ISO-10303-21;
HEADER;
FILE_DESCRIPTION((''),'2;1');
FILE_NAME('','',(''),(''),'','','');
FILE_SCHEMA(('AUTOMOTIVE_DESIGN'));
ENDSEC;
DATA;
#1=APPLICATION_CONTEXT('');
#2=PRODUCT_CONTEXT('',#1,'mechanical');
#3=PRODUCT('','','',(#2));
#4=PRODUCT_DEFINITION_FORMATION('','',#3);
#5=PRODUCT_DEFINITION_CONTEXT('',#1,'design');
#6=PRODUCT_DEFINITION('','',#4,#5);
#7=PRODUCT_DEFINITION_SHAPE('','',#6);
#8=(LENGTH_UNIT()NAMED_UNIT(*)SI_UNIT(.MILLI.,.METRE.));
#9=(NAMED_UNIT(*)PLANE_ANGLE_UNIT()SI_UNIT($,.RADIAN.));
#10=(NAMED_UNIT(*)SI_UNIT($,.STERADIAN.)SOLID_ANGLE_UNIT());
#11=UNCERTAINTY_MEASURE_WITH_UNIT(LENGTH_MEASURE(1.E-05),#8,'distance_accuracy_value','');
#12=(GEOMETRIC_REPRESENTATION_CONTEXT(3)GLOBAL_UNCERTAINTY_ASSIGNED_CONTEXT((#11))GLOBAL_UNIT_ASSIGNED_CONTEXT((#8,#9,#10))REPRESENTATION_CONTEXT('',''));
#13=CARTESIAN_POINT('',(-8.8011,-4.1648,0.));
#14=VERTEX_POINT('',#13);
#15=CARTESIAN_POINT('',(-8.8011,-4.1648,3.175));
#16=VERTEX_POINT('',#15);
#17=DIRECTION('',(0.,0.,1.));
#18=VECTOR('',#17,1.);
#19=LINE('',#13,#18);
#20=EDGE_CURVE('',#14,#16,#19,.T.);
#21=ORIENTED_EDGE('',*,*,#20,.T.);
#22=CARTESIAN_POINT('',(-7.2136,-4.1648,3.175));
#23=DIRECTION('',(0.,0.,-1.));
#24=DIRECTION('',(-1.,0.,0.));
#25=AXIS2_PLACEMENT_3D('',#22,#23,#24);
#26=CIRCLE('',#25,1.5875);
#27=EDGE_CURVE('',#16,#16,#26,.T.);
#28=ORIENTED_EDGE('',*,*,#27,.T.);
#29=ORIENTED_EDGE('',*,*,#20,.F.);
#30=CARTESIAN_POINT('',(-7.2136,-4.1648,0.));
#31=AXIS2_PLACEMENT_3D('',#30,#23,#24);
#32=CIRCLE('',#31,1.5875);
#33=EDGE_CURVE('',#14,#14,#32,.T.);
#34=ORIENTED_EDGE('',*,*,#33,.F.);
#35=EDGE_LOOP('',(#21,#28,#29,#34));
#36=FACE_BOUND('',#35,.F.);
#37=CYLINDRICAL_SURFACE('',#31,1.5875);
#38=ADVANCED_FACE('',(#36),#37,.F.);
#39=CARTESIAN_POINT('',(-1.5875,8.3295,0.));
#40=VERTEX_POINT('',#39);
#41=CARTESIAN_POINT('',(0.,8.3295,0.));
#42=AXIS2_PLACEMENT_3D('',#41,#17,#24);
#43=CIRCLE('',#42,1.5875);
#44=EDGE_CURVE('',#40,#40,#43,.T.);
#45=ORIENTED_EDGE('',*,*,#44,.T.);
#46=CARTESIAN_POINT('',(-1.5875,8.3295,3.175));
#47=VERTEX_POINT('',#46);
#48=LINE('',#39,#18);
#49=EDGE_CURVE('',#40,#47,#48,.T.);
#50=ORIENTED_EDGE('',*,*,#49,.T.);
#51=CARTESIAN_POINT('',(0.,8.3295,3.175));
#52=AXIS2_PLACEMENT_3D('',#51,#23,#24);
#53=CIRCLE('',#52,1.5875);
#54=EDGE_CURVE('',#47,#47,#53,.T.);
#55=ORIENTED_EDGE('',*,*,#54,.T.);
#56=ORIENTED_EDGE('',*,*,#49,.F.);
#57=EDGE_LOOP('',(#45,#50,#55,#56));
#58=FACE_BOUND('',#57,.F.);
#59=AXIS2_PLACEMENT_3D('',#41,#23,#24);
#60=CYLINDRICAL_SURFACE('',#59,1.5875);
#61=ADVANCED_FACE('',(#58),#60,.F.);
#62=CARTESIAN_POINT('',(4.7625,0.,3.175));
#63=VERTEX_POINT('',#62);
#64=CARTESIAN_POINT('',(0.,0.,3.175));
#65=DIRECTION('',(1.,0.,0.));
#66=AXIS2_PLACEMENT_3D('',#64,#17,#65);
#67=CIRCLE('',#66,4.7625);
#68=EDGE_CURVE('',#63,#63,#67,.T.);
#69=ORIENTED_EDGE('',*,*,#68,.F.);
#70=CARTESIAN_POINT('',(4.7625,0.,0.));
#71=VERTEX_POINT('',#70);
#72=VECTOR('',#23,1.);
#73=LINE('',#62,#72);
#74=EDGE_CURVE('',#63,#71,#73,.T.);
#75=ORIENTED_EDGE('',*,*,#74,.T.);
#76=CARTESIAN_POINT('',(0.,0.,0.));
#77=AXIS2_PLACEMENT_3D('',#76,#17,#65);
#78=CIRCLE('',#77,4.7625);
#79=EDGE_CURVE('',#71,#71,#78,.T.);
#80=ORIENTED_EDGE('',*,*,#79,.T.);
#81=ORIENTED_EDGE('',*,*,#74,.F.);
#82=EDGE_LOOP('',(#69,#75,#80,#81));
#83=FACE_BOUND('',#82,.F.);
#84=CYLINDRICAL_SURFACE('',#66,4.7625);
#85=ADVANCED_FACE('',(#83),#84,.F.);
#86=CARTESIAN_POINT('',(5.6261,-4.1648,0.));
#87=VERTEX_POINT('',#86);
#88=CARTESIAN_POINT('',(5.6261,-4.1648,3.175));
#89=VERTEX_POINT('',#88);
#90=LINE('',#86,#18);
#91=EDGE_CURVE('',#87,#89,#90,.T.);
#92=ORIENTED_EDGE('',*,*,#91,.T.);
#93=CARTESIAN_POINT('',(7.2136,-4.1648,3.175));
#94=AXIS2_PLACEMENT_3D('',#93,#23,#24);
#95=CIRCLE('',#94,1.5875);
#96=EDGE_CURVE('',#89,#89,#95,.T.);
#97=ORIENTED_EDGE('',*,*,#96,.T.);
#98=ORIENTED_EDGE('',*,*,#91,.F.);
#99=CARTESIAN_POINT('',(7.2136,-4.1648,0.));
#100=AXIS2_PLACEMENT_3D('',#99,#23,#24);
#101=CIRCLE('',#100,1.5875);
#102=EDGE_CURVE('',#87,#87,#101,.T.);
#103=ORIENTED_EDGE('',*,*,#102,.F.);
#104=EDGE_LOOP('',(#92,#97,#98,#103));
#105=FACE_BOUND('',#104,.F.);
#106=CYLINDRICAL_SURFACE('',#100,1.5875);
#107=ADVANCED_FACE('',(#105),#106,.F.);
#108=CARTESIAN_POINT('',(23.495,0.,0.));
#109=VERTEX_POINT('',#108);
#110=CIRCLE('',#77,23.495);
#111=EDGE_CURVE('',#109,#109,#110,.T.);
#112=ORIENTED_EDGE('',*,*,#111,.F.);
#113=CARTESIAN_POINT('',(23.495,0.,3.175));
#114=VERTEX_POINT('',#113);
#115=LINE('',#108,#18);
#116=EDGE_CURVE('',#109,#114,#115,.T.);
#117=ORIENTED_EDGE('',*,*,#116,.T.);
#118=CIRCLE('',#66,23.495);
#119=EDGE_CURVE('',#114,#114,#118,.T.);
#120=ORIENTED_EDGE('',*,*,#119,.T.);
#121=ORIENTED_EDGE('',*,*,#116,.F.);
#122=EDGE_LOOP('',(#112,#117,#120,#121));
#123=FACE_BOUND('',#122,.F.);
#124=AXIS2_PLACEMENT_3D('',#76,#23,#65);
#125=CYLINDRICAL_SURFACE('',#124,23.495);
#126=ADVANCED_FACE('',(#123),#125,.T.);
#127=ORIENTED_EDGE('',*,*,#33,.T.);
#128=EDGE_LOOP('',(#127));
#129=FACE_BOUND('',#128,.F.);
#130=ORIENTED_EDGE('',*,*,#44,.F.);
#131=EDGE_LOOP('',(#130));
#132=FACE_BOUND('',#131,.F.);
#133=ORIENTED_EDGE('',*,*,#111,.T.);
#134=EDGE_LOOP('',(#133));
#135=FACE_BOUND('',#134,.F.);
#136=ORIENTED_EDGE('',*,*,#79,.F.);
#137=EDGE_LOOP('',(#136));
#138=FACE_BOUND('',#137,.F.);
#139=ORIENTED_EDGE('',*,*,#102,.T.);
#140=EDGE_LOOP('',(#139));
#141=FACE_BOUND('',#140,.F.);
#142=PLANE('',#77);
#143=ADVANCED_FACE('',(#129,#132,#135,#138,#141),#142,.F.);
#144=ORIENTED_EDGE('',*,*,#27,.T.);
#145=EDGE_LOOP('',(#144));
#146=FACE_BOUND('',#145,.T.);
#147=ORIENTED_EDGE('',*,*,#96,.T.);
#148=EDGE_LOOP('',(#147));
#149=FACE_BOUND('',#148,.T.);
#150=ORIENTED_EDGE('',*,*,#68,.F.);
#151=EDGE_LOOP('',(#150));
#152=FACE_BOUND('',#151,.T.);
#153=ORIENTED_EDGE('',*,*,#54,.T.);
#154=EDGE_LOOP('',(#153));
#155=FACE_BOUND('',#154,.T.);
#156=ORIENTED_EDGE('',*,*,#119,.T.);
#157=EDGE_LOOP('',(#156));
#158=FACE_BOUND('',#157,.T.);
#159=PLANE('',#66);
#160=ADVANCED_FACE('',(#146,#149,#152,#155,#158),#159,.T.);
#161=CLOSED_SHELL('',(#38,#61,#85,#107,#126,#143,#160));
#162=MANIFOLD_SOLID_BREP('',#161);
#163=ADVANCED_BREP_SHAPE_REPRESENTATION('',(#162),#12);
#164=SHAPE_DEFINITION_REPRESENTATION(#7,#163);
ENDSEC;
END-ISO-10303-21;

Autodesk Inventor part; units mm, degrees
ref_plane "YZ Plane" through (0, 0, 0) normal (1, 0, 0) x (0, 1, 0)
ref_plane "XZ Plane" through (0, 0, 0) normal (0, 1, 0) x (-1, 0, 0)
ref_plane "XY Plane" through (0, 0, 0) normal (0, 0, 1) x (1, 0, 0)
sketch "Sketch1" plane through (0, 0, 0) normal (0, 0, 1) x (1, 0, 0)
  circle A0 centre (0, 0) radius 23.495
  dimension "d0" = 46.99
extrude "Extrusion1" add sketch "Sketch1" along normal blind 3.175
sketch "Sketch2" plane through (0, 0, 0) normal (0, 0, -1) x (-1, 0, 0)
  line L0 (0, 0) -> (0, 8.3295)
  circle A0 centre (0, 8.3295) radius 1.5875
  circle A1 centre (-7.2136, -4.1648) radius 1.5875
  circle A2 centre (7.2136, -4.1648) radius 1.5875
  dimension "d3" = 3.175
  dimension "d6" = 360
  dimension "d8" = 14.4272
extrude "Extrusion2" cut sketch "Sketch2" against normal blind 3.175
sketch "Sketch3" plane through (0, 0, 3.175) normal (0, 0, 1) x (1, 0, 0)
  circle A0 centre (0, 0) radius 4.7625
  dimension "d11" = 9.525
extrude "Extrusion3" cut sketch "Sketch3" against normal blind 3.175
properties part number "pistonSpurGear" material "ABS Plastic"
